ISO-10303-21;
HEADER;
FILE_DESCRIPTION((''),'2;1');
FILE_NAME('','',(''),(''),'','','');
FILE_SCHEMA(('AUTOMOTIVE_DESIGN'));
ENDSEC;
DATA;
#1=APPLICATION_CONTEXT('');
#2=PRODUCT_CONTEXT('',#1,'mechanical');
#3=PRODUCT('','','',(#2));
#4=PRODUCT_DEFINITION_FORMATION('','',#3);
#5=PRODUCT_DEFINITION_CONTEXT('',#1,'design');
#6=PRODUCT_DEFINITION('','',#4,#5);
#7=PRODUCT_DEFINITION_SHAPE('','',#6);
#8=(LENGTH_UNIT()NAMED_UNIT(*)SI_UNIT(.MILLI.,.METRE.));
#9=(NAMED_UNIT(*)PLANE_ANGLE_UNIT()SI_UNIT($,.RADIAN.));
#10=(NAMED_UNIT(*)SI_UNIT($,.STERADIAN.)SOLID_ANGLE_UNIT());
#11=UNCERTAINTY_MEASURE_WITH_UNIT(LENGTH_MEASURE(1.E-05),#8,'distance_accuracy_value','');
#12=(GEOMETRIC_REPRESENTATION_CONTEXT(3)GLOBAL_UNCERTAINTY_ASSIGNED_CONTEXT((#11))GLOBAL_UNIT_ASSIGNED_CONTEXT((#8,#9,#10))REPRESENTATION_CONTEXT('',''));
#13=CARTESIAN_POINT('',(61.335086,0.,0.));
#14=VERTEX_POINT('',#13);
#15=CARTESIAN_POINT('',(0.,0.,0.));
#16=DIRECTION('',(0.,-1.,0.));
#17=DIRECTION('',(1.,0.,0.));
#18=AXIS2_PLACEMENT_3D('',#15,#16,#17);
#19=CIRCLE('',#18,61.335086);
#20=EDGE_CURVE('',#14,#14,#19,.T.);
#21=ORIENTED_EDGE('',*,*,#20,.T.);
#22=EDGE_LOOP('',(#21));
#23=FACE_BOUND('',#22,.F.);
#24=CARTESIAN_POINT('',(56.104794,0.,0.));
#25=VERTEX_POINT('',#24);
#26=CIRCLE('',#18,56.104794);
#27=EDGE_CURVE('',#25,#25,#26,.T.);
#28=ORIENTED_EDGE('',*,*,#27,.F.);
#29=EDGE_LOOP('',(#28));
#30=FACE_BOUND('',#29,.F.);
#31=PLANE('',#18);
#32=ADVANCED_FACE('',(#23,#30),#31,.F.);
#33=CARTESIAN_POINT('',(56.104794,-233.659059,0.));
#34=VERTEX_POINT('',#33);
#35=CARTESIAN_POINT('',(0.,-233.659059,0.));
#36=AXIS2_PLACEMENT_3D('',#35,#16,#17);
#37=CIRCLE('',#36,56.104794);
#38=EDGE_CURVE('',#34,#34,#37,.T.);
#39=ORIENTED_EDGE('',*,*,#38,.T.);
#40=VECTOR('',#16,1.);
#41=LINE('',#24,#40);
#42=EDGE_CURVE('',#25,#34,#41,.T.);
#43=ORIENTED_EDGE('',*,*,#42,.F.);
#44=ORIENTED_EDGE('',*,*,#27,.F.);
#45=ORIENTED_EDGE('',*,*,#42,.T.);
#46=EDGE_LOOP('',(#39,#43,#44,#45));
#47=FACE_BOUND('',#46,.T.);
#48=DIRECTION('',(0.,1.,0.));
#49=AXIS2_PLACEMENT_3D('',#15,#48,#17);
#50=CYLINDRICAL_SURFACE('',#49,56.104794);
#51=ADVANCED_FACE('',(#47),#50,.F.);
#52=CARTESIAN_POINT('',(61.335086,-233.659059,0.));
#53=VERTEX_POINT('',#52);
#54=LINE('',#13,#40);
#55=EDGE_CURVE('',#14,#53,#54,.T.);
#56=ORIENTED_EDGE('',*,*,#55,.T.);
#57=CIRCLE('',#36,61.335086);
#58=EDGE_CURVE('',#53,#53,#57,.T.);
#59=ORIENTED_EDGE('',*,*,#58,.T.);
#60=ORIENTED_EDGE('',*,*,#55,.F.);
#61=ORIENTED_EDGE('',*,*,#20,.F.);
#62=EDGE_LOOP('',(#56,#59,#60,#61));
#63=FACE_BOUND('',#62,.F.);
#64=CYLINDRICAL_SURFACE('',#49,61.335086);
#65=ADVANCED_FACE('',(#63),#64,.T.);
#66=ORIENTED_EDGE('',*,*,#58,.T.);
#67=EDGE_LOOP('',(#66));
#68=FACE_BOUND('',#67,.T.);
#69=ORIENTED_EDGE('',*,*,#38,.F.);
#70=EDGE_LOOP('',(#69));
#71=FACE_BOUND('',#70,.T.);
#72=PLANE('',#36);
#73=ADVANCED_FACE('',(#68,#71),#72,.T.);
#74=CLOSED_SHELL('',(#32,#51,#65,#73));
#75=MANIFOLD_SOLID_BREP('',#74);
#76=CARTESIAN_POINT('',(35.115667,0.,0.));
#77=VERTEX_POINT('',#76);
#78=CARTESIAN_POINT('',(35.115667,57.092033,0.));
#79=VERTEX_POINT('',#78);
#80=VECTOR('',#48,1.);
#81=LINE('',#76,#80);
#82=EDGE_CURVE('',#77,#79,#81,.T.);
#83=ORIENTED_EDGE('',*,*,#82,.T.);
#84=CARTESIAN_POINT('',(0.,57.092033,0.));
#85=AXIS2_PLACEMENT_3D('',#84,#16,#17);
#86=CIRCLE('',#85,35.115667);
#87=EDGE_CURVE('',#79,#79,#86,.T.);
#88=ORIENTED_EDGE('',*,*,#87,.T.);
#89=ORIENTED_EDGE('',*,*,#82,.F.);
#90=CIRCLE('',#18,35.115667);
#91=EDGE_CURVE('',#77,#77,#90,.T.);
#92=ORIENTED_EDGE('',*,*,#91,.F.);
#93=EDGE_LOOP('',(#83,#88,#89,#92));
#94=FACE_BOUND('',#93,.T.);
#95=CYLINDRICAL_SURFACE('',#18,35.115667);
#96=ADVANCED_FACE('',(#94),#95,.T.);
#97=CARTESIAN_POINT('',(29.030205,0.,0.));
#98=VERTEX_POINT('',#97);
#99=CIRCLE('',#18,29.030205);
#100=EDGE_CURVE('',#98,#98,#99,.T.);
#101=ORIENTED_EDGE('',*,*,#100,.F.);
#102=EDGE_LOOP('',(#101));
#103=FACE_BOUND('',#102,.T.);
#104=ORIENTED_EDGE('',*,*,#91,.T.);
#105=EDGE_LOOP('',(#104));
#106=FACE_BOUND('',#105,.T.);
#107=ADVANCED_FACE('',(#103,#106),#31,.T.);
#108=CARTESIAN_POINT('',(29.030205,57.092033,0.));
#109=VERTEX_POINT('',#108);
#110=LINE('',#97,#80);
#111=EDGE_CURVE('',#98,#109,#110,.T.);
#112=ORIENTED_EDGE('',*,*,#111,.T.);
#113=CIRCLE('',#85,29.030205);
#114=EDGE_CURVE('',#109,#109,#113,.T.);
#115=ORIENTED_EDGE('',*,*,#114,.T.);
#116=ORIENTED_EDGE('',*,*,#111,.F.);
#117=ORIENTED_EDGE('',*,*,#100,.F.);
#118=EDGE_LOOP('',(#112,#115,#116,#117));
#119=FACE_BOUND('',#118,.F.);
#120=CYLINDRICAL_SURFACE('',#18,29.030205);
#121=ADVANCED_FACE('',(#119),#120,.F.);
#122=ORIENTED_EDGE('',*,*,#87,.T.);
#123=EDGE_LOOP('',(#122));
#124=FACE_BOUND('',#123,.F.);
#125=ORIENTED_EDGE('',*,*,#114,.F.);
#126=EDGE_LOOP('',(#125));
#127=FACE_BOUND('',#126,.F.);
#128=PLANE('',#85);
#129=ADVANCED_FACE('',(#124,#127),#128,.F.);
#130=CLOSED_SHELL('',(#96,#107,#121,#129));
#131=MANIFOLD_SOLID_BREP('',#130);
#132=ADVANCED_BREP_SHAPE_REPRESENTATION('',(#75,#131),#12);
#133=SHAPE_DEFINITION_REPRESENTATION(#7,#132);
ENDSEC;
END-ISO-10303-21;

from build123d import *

# Parameters (mm, degrees)
F0_R     = 61.335086
F0_R_2   = 56.104794
F1_DEPTH = 233.659059
F2_R     = 35.115667
F2_R_2   = 29.030205
F3_DEPTH = 57.092033


with BuildPart() as f1:
    # F0 (on Front) → F1 (new body)
    with BuildSketch(Plane.XZ):
        Circle(F0_R)
        Circle(F0_R_2, mode=Mode.SUBTRACT)
    extrude(amount=F1_DEPTH)


with BuildPart() as f3:
    # F2 (on Front) → F3 (new body)
    with BuildSketch(Plane.XZ):
        Circle(F2_R)
        Circle(F2_R_2, mode=Mode.SUBTRACT)
    extrude(amount=-F3_DEPTH)


solid = Compound([f1.part, f3.part])
